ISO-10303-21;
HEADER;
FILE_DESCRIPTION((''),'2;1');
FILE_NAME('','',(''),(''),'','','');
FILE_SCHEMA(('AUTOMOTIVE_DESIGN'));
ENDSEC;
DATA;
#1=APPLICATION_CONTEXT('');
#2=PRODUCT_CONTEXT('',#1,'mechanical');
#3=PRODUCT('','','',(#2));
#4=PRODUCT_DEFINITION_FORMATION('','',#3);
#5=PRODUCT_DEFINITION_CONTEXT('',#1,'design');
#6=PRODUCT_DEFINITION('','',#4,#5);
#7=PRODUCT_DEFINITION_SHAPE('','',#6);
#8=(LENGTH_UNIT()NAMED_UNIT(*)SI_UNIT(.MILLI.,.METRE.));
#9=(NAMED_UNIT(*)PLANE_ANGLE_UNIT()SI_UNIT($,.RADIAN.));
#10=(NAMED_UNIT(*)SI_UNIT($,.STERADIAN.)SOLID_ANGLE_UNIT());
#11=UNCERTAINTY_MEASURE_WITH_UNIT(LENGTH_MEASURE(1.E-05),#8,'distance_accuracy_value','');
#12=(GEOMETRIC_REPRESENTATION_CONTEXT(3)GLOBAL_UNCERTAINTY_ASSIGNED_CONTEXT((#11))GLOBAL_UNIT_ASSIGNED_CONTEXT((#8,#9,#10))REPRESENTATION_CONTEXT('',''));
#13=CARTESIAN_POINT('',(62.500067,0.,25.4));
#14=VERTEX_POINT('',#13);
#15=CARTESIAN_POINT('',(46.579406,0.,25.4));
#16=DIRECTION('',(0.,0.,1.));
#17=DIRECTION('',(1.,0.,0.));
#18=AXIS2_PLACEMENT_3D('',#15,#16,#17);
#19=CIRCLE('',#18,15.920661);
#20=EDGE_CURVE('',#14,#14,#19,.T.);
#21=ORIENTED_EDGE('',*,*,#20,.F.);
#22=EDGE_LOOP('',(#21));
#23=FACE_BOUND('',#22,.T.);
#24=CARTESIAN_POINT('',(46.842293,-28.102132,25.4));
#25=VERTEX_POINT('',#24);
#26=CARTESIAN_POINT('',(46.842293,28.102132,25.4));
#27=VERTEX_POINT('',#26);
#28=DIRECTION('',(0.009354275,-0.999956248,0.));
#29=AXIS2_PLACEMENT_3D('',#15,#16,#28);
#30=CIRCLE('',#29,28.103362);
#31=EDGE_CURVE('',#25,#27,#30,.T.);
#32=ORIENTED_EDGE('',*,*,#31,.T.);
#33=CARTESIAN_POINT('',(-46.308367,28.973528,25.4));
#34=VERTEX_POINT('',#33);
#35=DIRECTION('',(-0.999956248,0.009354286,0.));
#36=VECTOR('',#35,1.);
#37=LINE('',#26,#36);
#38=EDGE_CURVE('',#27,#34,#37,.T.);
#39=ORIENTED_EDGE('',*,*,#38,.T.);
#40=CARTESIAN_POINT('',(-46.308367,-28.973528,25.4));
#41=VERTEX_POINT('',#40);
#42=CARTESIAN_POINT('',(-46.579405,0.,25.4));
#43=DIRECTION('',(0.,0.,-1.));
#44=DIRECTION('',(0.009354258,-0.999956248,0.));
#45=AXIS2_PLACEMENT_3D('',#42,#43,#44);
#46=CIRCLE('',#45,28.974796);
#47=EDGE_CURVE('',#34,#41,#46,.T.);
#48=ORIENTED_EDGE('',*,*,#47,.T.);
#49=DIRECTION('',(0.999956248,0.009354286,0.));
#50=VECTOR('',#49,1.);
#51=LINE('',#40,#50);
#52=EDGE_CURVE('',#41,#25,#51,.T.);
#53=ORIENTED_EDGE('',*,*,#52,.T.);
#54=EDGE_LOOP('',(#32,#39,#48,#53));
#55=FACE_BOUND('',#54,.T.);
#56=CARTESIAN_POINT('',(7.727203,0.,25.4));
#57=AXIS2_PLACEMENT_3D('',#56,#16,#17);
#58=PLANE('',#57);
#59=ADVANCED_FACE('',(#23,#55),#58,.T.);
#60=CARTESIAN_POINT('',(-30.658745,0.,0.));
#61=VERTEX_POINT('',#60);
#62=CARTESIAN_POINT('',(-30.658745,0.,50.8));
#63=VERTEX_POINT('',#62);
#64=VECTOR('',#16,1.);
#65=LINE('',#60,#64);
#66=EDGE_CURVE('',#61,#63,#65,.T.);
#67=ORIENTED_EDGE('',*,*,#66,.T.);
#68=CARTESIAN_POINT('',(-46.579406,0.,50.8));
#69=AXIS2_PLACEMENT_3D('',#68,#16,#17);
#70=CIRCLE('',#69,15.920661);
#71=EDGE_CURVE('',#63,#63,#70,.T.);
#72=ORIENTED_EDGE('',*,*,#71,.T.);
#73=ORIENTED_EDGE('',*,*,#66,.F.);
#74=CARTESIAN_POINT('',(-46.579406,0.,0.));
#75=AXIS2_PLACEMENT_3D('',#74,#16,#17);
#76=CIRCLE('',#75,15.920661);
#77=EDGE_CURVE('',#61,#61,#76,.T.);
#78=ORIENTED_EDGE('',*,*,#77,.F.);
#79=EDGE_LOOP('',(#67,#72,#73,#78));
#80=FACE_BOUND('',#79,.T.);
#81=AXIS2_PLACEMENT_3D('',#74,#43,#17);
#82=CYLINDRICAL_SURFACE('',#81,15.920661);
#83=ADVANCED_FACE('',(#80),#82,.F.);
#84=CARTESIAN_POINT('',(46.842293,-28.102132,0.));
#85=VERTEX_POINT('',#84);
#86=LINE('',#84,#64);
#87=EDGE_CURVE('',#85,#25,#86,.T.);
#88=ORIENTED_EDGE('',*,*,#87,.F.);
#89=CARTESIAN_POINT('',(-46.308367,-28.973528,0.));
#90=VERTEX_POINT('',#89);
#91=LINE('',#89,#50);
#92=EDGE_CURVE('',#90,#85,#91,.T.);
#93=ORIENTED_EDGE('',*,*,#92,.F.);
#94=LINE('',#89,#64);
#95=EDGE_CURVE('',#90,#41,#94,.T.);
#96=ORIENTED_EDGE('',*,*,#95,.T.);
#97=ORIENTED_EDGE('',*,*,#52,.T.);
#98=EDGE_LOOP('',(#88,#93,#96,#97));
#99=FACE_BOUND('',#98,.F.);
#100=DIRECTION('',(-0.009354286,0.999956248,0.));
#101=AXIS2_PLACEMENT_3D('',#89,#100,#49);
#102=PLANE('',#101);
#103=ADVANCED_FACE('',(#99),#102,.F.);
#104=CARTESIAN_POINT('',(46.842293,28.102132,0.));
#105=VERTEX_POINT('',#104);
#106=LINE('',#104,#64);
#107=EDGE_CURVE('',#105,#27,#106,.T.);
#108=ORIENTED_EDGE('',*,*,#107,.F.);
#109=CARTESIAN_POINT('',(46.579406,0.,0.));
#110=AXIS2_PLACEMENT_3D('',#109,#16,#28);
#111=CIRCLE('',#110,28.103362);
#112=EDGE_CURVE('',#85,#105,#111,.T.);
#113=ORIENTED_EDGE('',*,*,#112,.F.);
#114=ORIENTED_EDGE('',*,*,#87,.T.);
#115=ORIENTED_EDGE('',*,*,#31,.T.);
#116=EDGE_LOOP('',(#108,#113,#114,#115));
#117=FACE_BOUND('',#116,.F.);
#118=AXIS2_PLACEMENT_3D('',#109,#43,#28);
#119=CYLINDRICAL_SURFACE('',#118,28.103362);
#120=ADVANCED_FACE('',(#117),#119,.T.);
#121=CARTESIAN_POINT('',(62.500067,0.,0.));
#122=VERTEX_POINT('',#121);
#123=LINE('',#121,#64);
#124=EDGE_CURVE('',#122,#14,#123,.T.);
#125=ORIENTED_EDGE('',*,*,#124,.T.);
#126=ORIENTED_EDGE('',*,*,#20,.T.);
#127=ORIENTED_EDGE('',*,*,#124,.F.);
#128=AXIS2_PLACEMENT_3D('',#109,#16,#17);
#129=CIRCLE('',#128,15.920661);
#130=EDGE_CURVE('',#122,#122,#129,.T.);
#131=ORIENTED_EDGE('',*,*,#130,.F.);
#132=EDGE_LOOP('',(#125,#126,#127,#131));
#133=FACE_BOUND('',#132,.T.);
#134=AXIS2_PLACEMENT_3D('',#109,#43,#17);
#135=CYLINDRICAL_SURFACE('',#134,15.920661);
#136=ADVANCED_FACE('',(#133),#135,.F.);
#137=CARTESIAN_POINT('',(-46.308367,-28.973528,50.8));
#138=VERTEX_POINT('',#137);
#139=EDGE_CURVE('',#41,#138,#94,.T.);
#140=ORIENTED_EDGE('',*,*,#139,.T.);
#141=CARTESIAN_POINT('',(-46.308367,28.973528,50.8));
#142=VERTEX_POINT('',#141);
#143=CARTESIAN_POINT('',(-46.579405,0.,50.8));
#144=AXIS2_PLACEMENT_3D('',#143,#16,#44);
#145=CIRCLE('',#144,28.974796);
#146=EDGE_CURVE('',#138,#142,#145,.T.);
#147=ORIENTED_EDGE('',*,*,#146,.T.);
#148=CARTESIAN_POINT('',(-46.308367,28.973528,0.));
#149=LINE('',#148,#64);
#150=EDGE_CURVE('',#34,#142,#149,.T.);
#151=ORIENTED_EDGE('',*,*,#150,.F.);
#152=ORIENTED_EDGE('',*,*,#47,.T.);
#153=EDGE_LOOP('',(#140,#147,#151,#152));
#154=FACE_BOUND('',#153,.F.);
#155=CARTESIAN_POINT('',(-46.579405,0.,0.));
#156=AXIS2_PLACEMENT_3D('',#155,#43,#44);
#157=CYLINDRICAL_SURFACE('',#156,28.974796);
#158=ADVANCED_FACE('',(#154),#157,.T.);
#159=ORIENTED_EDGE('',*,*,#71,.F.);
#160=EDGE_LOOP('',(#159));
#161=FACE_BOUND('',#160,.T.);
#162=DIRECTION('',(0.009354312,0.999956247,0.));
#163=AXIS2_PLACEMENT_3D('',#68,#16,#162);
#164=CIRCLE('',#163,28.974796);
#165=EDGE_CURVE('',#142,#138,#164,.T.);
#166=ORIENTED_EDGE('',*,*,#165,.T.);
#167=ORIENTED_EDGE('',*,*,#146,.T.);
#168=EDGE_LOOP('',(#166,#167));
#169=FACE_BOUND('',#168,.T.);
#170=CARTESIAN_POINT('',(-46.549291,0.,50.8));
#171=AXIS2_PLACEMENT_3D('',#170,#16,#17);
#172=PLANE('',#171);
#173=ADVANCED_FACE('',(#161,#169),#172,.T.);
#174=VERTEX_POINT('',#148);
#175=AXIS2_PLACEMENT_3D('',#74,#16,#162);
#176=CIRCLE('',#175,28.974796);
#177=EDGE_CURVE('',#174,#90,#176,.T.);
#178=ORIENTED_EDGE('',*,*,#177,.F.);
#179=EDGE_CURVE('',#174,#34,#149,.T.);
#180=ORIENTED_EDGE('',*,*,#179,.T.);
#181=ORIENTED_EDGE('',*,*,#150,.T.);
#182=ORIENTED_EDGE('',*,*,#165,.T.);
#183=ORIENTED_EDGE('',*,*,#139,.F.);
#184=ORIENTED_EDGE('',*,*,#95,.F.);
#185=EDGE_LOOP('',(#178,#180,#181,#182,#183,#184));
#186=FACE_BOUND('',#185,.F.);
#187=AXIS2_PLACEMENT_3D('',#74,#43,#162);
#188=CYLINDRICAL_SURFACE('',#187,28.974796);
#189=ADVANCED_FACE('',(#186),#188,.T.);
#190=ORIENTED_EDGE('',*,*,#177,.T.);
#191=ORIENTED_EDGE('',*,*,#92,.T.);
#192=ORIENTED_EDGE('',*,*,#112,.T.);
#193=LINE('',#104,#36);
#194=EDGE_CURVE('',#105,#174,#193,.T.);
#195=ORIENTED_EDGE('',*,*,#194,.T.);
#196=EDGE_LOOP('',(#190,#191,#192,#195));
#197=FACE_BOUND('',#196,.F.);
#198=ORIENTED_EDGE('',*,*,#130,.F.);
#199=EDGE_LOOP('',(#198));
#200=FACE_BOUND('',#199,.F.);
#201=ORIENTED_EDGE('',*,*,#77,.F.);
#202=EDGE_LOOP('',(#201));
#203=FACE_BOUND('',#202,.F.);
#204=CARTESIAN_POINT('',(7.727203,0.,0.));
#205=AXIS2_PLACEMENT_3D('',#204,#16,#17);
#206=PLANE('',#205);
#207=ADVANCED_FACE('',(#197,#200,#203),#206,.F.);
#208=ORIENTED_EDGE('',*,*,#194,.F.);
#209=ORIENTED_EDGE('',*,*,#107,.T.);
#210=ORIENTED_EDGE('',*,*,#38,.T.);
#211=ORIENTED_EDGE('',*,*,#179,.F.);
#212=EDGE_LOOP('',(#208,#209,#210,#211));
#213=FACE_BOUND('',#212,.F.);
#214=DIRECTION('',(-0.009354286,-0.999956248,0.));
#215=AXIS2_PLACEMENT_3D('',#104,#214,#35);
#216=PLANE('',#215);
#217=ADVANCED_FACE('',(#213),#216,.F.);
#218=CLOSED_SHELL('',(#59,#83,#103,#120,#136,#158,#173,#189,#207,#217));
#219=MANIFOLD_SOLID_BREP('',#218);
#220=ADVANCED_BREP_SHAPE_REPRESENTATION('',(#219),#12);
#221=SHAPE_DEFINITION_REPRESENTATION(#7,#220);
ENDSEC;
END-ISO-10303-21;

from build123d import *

# Parameters (mm, degrees)
F0_R     = 15.920661
F1_DEPTH = 25.4
F2_DEPTH = 50.8


with BuildPart() as f1:
    # F0 (on Top) → F1 (new body)
    with BuildSketch(Plane.XY):
        with BuildLine():
            Line((46.842293, 28.102132), (-46.308367, 28.973528))
            ThreePointArc((-46.308367, 28.973528), (-17.604609, 0), (-46.308367, -28.973528))
            Line((-46.308367, -28.973528), (46.842293, -28.102132))
            ThreePointArc((46.842293, -28.102132), (74.682768, 0), (46.842293, 28.102132))
        make_face()
        with Locations((46.579406, 0)):
            Circle(F0_R, mode=Mode.SUBTRACT)
        with BuildLine():
            ThreePointArc((-46.308367, -28.973528), (-17.604609, 0), (-46.308367, 28.973528))
            ThreePointArc((-46.308367, 28.973528), (-75.554202, 0), (-46.308367, -28.973528))
        make_face()
        with Locations((-46.579406, 0)):
            Circle(F0_R, mode=Mode.SUBTRACT)
    extrude(amount=F1_DEPTH)

    # F0 (on Top) → F2 (join)
    with BuildSketch(Plane.XY):
        with BuildLine():
            ThreePointArc((-46.308367, -28.973528), (-17.604609, 0), (-46.308367, 28.973528))
            ThreePointArc((-46.308367, 28.973528), (-75.554202, 0), (-46.308367, -28.973528))
        make_face()
        with Locations((-46.579406, 0)):
            Circle(F0_R, mode=Mode.SUBTRACT)
    extrude(amount=F2_DEPTH)


solid = f1.part
